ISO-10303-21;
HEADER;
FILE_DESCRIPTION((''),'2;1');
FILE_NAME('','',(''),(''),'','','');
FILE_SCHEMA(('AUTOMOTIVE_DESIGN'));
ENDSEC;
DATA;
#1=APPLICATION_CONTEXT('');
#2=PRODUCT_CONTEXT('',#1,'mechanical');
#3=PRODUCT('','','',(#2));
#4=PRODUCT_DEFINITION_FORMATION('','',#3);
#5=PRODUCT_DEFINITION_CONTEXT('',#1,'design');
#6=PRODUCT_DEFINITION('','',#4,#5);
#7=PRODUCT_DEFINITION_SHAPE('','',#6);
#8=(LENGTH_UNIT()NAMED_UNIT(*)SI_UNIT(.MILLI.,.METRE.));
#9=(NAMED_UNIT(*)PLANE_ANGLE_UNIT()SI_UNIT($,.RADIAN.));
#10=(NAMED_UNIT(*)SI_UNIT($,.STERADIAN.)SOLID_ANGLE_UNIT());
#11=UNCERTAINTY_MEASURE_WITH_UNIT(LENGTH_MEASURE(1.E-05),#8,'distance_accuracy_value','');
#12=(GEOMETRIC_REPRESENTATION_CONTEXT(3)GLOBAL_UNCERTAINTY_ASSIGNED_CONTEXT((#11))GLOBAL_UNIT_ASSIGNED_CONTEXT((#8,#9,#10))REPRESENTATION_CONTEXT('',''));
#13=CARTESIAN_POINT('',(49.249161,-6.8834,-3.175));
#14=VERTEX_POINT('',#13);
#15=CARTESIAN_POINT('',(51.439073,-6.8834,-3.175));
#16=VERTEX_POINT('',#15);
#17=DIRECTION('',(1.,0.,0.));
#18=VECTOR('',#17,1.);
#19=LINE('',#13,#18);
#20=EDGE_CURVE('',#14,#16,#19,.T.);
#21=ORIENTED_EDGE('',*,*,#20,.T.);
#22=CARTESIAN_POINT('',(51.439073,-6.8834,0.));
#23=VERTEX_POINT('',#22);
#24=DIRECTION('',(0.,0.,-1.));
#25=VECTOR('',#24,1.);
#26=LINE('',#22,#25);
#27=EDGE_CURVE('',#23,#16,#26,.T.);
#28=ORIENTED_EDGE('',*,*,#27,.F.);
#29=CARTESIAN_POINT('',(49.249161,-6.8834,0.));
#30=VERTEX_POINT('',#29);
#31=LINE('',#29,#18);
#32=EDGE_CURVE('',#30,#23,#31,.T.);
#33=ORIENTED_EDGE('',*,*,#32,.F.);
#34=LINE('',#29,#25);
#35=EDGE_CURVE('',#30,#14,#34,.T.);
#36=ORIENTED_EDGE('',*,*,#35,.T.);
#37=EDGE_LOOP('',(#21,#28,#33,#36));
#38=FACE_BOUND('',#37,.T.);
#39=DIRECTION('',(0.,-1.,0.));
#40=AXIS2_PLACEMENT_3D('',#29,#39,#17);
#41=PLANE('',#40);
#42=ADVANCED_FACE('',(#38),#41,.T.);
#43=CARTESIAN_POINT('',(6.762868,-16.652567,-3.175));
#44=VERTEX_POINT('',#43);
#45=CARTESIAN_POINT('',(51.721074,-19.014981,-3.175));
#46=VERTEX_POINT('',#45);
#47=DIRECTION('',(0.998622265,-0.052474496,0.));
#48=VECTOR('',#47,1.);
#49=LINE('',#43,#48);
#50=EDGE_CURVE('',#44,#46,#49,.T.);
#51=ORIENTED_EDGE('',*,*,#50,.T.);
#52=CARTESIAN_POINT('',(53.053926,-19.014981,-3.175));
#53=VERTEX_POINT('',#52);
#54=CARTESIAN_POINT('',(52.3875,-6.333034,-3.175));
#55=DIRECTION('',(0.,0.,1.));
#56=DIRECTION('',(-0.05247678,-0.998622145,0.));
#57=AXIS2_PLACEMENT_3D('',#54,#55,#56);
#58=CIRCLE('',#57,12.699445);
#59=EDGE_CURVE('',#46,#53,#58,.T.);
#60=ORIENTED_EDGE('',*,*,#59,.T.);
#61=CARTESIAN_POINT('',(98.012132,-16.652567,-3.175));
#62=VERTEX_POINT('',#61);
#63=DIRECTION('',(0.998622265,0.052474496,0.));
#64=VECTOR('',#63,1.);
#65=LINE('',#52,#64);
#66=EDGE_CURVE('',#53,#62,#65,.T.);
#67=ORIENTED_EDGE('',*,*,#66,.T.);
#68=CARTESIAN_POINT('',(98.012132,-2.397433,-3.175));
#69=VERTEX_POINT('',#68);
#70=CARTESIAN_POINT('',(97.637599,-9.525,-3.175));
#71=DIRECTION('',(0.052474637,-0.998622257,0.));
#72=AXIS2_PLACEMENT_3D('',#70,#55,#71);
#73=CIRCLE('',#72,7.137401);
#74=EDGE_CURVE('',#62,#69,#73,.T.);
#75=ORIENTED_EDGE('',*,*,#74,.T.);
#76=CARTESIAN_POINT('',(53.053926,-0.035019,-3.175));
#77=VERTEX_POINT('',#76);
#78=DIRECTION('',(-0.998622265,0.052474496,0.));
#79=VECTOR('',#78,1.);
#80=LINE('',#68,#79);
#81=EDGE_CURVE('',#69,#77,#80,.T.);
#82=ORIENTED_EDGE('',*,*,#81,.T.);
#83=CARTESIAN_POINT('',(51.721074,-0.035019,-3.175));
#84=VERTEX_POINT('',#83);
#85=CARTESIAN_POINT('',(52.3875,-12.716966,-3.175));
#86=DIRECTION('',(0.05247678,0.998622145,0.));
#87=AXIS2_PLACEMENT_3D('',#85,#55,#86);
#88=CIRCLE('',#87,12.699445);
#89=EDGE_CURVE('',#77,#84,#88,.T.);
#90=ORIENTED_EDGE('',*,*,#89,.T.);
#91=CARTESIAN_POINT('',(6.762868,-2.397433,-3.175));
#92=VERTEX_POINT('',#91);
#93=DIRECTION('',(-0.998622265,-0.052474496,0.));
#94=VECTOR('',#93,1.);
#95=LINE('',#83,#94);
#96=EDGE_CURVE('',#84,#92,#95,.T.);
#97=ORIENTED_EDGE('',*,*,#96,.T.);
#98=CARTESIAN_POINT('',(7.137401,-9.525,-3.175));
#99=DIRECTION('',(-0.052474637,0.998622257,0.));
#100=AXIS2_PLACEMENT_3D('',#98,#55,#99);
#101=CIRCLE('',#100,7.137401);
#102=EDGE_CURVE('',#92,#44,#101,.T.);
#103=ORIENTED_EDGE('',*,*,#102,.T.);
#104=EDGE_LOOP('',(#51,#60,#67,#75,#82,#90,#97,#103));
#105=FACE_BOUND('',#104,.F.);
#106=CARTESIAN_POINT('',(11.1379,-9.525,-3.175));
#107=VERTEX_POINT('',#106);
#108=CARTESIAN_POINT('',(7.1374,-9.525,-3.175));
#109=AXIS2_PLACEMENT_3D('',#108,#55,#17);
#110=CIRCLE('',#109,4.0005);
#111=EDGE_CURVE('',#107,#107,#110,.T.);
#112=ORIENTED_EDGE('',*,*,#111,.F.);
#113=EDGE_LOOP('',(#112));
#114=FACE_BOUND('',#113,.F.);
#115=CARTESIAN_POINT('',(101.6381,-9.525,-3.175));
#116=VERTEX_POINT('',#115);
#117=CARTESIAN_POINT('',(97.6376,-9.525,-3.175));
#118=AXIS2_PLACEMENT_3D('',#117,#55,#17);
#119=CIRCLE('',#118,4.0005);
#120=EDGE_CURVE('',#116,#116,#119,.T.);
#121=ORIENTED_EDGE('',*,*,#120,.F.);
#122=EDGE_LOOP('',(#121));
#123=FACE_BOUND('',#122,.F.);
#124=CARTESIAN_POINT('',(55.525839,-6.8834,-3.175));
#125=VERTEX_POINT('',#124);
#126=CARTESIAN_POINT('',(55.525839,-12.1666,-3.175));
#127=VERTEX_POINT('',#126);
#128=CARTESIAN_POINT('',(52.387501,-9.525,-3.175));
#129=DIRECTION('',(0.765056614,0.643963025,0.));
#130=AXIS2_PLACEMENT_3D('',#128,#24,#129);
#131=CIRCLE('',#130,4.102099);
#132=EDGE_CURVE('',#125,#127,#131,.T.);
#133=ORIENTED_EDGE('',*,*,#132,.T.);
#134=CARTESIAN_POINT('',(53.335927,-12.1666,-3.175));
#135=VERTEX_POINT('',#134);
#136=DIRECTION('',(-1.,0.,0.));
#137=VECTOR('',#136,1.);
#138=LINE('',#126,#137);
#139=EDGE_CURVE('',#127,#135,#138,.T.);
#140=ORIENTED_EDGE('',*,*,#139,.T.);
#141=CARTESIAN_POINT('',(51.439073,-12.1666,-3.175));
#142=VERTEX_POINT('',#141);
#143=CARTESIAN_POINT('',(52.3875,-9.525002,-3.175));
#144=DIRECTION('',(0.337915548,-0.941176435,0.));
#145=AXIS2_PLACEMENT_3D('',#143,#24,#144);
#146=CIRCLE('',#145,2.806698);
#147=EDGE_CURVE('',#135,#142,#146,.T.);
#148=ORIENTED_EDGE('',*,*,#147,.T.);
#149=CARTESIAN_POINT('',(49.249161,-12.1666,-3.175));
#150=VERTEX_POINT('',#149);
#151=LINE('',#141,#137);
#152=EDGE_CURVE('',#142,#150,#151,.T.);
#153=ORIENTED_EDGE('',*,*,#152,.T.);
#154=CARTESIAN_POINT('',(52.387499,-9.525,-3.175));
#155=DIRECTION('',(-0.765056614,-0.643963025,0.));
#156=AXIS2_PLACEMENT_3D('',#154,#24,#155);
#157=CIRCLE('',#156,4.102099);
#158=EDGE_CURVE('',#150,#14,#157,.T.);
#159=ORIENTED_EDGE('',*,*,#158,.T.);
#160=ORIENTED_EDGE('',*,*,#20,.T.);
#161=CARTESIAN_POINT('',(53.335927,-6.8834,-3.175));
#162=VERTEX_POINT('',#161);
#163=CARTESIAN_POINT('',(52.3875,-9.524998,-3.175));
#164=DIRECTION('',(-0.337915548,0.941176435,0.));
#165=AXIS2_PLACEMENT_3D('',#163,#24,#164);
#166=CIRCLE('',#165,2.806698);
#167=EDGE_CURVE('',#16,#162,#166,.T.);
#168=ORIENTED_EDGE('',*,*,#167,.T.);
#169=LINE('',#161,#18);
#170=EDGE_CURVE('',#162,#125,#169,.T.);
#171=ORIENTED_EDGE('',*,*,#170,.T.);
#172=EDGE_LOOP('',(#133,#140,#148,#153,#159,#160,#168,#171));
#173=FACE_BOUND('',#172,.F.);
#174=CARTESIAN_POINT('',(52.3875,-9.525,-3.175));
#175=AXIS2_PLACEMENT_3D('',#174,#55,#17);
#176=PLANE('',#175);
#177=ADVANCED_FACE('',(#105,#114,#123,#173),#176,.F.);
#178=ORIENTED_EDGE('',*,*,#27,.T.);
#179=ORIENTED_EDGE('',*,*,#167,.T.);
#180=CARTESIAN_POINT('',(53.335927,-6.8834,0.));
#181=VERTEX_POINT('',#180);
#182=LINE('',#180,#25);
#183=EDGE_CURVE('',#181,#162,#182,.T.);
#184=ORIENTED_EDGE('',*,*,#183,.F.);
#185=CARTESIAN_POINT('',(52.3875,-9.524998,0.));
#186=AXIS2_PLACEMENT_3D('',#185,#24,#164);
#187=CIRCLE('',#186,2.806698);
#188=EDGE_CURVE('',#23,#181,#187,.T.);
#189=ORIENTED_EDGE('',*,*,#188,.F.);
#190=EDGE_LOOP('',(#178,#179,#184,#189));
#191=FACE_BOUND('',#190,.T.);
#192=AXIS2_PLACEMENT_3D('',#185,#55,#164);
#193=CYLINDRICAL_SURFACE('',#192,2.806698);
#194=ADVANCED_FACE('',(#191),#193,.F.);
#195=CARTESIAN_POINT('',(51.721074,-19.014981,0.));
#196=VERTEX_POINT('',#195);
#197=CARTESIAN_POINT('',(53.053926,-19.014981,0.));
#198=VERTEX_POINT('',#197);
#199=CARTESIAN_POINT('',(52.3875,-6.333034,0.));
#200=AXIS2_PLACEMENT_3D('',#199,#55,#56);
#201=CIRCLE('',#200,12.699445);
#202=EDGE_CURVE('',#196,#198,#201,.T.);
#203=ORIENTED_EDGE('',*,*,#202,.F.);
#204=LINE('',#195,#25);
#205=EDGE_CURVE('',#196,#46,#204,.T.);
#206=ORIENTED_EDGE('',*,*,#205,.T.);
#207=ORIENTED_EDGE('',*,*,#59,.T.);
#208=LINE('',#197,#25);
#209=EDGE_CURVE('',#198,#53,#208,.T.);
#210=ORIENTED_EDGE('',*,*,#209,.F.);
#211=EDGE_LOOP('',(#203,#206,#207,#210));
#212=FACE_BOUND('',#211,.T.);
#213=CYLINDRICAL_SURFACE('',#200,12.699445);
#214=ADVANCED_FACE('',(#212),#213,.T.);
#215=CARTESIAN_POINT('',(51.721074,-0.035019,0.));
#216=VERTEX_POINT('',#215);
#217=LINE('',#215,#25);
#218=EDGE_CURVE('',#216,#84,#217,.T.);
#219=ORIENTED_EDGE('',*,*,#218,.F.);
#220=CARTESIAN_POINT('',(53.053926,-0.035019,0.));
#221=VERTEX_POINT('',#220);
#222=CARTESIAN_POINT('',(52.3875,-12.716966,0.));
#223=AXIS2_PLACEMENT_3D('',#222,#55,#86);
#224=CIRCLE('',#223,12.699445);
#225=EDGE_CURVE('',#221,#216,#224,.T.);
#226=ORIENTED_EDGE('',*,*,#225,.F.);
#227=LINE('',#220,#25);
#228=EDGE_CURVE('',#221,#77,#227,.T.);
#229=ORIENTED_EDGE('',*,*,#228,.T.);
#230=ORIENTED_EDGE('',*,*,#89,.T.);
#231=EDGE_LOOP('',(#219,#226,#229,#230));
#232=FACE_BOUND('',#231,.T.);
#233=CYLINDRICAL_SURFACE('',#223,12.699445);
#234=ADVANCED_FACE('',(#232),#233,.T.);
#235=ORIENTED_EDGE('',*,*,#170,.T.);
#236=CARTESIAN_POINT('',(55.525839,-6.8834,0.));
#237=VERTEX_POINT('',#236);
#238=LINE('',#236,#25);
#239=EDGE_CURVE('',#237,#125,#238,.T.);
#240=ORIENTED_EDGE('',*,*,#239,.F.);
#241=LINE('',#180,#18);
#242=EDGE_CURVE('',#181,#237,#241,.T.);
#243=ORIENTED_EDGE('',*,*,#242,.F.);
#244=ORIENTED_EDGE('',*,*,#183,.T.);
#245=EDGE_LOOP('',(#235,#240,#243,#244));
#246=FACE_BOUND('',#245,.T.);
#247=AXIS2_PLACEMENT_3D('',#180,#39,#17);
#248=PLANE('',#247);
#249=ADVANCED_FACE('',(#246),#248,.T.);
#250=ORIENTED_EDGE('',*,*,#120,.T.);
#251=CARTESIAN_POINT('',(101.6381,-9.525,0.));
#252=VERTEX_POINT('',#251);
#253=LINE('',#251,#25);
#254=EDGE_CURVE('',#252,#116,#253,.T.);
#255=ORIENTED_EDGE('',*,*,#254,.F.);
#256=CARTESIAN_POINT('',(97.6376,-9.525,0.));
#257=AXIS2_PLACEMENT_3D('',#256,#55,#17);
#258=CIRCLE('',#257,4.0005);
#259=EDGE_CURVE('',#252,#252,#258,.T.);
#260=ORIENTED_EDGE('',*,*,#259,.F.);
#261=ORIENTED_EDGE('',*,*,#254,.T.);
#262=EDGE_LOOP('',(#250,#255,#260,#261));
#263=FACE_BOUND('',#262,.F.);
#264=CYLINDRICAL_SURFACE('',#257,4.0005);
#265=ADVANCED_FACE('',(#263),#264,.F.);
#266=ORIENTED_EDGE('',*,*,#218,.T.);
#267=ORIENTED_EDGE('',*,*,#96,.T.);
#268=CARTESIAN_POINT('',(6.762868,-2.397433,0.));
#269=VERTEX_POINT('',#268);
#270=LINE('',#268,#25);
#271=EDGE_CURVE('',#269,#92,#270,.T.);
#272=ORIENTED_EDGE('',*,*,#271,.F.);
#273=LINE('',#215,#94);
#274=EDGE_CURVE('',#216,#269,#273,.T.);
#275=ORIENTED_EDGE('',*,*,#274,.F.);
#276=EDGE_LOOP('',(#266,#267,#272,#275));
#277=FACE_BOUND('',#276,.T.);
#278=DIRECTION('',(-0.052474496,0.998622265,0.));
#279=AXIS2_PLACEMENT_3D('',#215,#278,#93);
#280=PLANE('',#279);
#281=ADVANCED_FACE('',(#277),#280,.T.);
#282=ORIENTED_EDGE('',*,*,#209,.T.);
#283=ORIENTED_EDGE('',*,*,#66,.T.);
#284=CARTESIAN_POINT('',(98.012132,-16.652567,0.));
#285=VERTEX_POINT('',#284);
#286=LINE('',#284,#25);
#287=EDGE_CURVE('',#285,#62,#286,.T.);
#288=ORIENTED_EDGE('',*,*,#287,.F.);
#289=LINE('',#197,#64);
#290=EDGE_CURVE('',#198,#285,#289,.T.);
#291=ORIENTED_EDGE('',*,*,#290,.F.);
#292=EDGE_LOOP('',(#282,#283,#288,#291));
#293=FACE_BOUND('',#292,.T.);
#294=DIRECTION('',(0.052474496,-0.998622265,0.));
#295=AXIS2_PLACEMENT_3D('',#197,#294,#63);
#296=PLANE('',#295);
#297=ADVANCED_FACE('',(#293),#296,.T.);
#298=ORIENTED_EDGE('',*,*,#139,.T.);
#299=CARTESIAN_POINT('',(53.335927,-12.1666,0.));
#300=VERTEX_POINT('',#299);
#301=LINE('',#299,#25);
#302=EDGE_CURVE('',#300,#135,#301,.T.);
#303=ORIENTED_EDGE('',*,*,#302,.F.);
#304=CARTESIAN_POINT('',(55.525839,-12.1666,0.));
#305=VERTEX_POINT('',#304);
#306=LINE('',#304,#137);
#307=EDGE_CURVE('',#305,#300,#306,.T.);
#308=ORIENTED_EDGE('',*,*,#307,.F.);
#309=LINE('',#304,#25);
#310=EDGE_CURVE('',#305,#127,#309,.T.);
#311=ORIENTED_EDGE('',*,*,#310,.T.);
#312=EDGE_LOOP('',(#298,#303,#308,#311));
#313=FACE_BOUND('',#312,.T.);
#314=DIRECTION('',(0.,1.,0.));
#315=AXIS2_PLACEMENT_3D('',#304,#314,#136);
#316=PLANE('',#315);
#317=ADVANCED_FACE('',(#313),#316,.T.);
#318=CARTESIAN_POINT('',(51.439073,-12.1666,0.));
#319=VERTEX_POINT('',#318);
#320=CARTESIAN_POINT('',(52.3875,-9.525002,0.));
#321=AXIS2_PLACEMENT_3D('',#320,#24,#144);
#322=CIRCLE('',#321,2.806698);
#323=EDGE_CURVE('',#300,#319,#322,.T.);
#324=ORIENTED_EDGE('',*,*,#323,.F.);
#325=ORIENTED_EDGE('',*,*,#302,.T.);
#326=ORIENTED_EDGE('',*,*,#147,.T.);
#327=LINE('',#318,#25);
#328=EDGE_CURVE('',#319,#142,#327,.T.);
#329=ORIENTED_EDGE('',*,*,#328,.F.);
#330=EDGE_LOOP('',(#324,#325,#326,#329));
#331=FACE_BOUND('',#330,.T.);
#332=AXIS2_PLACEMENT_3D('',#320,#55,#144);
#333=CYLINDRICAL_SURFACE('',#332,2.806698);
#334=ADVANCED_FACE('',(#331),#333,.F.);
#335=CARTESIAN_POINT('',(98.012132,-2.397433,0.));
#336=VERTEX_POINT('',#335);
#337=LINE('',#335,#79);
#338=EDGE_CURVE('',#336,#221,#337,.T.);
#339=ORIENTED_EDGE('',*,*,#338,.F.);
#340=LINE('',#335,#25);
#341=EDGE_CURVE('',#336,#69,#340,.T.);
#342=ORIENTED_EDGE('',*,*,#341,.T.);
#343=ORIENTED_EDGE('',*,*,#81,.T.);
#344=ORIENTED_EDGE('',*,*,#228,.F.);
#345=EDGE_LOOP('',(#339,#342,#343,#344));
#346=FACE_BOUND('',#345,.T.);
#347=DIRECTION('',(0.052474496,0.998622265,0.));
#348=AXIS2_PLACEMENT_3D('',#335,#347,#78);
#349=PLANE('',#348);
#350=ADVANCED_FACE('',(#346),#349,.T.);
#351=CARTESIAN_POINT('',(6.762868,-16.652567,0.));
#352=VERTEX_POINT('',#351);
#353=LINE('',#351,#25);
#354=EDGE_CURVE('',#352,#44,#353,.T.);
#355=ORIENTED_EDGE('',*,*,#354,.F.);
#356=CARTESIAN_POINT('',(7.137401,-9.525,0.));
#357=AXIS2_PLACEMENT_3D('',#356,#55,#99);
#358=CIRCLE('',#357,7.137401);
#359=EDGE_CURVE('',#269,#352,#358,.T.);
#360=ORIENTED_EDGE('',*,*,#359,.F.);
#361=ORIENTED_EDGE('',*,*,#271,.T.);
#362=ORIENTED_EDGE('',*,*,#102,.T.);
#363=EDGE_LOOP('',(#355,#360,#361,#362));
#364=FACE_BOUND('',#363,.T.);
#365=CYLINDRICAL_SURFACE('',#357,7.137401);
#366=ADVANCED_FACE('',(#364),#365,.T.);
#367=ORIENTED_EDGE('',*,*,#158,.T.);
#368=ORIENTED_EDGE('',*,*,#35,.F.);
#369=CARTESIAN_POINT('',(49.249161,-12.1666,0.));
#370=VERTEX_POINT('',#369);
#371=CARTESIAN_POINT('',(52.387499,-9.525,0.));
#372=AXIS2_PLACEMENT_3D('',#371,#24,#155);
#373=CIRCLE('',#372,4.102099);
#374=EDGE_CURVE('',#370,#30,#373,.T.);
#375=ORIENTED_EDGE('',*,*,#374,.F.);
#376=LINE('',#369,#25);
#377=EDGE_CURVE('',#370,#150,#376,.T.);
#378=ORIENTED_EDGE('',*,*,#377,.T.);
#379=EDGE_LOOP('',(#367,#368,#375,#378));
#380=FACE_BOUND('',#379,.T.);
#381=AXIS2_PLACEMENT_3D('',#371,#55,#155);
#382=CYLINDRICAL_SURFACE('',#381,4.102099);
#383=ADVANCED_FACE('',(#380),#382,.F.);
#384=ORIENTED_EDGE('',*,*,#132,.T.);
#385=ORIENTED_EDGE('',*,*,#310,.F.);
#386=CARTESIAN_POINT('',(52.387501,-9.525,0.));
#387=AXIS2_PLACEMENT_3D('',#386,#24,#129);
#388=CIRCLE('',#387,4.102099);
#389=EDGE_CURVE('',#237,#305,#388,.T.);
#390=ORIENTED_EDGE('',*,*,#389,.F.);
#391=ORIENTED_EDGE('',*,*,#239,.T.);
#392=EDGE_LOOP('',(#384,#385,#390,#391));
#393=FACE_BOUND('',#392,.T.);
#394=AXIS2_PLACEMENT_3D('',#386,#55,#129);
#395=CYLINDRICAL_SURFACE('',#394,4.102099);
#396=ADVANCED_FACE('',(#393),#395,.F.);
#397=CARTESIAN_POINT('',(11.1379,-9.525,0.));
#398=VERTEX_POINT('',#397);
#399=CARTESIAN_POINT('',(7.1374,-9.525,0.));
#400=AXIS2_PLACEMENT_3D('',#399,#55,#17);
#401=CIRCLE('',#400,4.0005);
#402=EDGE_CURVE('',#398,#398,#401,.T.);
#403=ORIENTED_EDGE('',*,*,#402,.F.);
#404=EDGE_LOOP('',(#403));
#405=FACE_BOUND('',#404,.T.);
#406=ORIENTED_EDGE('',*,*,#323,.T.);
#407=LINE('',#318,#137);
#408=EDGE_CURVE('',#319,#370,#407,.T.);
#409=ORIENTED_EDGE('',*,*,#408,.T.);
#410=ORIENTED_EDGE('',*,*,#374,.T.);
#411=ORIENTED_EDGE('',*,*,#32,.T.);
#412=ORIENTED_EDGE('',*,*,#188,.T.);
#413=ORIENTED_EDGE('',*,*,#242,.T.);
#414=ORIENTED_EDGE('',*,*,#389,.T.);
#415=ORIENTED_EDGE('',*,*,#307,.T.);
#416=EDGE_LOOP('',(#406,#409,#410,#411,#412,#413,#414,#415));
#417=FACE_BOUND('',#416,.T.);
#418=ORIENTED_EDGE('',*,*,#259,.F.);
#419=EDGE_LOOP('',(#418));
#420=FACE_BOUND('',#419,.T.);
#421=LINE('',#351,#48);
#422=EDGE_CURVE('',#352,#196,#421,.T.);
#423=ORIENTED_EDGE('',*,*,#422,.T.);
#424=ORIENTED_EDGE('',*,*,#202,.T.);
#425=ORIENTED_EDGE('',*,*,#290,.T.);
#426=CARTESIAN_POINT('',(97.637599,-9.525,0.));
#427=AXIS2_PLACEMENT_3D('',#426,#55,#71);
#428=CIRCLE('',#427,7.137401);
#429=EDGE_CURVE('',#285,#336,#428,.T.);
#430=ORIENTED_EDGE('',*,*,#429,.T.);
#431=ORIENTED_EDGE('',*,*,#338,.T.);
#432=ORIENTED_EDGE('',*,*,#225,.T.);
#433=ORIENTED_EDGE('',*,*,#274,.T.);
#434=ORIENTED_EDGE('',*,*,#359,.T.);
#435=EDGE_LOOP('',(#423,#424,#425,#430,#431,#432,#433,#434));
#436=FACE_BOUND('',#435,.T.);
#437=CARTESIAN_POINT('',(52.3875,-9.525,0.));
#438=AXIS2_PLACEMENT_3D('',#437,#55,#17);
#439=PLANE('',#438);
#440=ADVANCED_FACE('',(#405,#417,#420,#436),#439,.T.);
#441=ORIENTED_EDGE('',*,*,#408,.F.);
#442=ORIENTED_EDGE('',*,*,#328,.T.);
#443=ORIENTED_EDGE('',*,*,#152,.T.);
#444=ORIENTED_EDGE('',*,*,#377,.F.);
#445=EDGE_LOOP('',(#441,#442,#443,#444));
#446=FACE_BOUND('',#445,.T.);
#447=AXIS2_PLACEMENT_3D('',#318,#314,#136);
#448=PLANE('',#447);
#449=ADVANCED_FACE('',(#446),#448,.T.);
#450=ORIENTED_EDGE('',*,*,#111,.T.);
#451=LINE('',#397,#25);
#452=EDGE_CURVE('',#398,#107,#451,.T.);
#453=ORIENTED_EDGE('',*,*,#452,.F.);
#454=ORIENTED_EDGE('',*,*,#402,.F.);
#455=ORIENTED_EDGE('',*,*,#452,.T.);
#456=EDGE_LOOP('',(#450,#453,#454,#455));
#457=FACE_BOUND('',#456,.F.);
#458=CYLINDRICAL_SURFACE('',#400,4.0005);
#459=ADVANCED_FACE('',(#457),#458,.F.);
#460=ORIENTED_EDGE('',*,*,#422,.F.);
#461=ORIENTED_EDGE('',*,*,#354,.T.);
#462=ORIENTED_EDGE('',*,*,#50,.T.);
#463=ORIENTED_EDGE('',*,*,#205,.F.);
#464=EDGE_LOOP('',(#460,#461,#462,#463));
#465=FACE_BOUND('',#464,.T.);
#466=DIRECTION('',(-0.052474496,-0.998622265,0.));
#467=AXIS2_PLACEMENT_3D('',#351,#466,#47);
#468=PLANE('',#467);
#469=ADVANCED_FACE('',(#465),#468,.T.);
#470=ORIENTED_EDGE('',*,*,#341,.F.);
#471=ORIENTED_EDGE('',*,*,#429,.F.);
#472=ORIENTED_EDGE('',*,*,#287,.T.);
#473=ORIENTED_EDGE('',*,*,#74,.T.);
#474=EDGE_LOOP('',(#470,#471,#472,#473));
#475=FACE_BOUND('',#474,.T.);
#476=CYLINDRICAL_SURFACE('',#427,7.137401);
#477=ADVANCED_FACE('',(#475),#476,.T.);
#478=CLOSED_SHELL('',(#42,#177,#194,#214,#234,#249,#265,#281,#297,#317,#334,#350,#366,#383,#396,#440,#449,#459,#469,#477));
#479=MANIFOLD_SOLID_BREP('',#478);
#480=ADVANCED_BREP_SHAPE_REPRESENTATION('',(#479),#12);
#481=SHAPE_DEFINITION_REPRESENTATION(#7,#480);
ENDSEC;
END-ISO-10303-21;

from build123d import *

# Parameters (mm, degrees)
F0_R     = 4.0005
F1_DEPTH = 3.175


with BuildPart() as f1:
    # F0 (on Top) → F1 (new body)
    with BuildSketch(Plane.XY):
        with BuildLine():
            Line((51.721074, -0.035019), (6.762868, -2.397433))
            ThreePointArc((6.762868, -2.397433), (0, -9.525), (6.762868, -16.652567))
            Line((6.762868, -16.652567), (51.721074, -19.014981))
            ThreePointArc((51.721074, -19.014981), (52.3875, -19.032479), (53.053926, -19.014981))
            Line((53.053926, -19.014981), (98.012132, -16.652567))
            ThreePointArc((98.012132, -16.652567), (104.775, -9.525), (98.012132, -2.397433))
            Line((98.012132, -2.397433), (53.053926, -0.035019))
            ThreePointArc((53.053926, -0.035019), (52.3875, -0.017521), (51.721074, -0.035019))
        make_face()
        with Locations((7.1374, -9.525)):
            Circle(F0_R, mode=Mode.SUBTRACT)
        with BuildLine():
            ThreePointArc((49.249161, -12.1666), (48.2854, -9.525), (49.249161, -6.8834))
            Line((49.249161, -6.8834), (51.439073, -6.8834))
            ThreePointArc((51.439073, -6.8834), (52.3875, -6.7183), (53.335927, -6.8834))
            Line((53.335927, -6.8834), (55.525839, -6.8834))
            ThreePointArc((55.525839, -6.8834), (56.4896, -9.525), (55.525839, -12.1666))
            Line((55.525839, -12.1666), (53.335927, -12.1666))
            ThreePointArc((53.335927, -12.1666), (52.3875, -12.3317), (51.439073, -12.1666))
            Line((51.439073, -12.1666), (49.249161, -12.1666))
        make_face(mode=Mode.SUBTRACT)
        with Locations((97.6376, -9.525)):
            Circle(F0_R, mode=Mode.SUBTRACT)
    extrude(amount=-F1_DEPTH)


solid = f1.part
